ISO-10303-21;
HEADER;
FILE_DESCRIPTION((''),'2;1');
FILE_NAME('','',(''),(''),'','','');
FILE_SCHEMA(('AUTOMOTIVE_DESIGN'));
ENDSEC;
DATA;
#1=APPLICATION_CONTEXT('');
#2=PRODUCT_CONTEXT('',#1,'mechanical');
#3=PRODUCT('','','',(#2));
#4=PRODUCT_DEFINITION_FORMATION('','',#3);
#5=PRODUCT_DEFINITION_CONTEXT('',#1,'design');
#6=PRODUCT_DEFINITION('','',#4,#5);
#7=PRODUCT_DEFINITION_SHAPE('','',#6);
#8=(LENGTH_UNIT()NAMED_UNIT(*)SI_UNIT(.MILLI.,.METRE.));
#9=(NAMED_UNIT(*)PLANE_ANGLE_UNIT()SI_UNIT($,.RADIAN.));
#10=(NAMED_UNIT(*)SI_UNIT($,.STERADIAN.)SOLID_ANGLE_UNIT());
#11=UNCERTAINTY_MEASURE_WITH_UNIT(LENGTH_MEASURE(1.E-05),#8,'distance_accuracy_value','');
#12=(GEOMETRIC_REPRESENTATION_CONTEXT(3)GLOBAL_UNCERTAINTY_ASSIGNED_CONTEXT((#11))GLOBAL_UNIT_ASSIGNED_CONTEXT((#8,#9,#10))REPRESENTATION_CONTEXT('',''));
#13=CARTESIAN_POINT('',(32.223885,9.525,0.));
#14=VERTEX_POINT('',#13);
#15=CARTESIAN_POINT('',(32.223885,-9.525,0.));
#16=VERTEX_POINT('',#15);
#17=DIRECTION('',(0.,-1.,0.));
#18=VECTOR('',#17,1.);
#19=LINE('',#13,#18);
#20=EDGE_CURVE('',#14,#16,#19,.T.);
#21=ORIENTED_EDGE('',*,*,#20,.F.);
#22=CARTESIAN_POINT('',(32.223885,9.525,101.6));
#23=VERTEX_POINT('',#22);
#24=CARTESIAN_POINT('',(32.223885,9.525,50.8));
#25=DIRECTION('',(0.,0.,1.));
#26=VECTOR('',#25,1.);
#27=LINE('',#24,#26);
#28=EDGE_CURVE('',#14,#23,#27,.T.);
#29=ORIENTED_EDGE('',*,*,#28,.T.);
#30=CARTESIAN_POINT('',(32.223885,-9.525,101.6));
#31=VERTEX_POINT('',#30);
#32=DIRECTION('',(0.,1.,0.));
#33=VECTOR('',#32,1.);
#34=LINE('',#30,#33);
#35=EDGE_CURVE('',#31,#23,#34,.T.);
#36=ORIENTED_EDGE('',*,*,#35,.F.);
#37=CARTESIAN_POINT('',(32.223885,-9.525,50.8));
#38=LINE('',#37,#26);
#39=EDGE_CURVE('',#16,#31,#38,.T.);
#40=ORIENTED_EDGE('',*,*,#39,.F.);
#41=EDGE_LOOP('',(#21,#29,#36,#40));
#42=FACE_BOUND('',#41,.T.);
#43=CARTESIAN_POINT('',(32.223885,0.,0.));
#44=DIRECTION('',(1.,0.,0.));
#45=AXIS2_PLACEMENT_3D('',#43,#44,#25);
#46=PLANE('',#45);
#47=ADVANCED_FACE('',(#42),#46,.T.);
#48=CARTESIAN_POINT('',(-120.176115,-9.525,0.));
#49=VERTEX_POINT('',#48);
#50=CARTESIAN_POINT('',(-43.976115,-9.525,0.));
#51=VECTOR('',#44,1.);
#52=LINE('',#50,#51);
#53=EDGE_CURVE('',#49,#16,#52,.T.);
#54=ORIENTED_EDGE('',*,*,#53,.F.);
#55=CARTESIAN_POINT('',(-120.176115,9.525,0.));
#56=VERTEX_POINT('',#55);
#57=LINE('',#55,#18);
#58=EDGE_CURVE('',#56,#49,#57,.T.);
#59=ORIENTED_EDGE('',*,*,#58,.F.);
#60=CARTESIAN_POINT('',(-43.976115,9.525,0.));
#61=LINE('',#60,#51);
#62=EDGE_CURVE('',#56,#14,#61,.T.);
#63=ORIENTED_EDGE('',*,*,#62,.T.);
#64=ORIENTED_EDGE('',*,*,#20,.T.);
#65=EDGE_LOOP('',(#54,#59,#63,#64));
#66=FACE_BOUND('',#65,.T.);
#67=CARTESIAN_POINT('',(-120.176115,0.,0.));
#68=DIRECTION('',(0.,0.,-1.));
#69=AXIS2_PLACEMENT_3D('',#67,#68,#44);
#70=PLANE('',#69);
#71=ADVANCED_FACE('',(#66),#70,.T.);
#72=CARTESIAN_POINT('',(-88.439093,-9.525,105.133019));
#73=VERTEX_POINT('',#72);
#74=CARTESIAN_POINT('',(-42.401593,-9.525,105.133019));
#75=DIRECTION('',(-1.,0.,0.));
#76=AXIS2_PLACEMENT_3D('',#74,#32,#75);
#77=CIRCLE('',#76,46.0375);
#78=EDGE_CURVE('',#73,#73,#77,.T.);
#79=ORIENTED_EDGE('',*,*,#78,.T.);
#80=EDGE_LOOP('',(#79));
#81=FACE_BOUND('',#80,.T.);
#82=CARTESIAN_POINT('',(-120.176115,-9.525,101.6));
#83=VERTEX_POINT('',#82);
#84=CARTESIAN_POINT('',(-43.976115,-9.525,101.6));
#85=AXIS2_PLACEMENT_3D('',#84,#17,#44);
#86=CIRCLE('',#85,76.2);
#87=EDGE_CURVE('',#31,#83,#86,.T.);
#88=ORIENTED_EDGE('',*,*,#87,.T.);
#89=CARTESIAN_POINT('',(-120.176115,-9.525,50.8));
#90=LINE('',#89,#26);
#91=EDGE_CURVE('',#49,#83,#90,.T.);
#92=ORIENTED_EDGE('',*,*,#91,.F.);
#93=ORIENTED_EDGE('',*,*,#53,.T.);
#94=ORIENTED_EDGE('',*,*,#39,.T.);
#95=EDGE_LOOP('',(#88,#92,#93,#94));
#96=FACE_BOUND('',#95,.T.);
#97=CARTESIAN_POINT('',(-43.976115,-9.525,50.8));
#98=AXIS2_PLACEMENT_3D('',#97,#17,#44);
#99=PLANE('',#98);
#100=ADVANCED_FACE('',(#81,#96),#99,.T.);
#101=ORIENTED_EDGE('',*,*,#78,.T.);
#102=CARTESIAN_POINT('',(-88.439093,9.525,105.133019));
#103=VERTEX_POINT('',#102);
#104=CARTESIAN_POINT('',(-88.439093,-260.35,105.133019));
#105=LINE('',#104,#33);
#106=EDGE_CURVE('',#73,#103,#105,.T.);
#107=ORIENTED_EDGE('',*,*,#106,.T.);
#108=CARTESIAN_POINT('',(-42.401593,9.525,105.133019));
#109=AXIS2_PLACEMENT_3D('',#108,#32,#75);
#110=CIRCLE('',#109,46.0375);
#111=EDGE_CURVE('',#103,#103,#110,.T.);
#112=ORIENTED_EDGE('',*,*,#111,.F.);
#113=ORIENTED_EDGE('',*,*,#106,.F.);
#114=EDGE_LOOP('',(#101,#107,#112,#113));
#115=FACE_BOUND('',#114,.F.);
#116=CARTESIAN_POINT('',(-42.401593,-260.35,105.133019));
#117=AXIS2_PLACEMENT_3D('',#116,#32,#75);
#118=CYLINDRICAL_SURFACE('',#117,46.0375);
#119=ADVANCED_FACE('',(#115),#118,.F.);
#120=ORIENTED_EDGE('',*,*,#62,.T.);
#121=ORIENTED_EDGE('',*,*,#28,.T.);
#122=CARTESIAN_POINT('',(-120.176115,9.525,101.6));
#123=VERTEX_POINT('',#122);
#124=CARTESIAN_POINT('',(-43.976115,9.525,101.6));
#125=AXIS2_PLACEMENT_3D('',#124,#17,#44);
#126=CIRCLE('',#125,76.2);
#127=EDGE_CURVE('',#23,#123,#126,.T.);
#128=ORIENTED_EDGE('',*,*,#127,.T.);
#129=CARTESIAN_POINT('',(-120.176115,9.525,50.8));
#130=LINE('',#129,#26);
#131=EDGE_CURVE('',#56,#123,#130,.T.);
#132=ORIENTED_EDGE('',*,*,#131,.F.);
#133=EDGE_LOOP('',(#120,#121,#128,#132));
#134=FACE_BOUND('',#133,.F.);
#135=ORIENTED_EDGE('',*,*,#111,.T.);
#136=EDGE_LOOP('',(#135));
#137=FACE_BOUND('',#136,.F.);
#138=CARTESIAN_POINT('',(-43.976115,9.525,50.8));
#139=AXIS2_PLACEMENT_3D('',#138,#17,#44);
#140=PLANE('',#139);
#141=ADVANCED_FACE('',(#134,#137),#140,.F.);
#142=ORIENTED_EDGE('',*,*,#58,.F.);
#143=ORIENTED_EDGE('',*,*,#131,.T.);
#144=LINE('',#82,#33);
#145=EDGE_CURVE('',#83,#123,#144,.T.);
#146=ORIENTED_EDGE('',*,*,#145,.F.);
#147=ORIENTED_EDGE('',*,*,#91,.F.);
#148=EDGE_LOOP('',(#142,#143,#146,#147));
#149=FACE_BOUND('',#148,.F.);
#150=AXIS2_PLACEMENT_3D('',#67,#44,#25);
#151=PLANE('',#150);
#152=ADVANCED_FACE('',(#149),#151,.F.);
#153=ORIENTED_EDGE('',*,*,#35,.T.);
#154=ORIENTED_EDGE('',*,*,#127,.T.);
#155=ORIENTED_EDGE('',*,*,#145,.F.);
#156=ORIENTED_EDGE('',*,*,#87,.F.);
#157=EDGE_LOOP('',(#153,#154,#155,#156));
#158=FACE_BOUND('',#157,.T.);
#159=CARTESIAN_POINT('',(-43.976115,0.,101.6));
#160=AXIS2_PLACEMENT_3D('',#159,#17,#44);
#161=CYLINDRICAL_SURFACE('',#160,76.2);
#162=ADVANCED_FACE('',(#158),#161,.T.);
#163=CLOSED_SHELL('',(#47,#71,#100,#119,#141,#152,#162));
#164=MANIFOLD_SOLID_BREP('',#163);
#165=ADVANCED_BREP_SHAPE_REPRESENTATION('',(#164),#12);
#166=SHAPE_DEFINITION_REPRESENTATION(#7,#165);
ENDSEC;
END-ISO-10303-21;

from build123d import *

# Parameters (mm, degrees)
F0_W     = 152.4
F0_H     = 101.6
F2_DEPTH = 9.525
F4_D     = 92.075


with BuildPart() as f2:
    # F0 (on Front) → F2 (new body, symmetric)
    with BuildSketch(Plane.XZ):
        with Locations((-43.9761151315, 50.8)):
            Rectangle(F0_W, F0_H)
        with BuildLine():
            Line((-120.1761151315, 101.6), (32.2238848685, 101.6))
            ThreePointArc((32.2238848685, 101.6), (-43.9761151315, 177.8), (-120.1761151315, 101.6))
        make_face()
    extrude(amount=F2_DEPTH, both=True)

    # F4 (through all)
    with Locations(Plane.XZ.offset(25.4)):
        with Locations((-42.4015931785, 105.1330193877)):
            Hole(F4_D / 2)


solid = f2.part
